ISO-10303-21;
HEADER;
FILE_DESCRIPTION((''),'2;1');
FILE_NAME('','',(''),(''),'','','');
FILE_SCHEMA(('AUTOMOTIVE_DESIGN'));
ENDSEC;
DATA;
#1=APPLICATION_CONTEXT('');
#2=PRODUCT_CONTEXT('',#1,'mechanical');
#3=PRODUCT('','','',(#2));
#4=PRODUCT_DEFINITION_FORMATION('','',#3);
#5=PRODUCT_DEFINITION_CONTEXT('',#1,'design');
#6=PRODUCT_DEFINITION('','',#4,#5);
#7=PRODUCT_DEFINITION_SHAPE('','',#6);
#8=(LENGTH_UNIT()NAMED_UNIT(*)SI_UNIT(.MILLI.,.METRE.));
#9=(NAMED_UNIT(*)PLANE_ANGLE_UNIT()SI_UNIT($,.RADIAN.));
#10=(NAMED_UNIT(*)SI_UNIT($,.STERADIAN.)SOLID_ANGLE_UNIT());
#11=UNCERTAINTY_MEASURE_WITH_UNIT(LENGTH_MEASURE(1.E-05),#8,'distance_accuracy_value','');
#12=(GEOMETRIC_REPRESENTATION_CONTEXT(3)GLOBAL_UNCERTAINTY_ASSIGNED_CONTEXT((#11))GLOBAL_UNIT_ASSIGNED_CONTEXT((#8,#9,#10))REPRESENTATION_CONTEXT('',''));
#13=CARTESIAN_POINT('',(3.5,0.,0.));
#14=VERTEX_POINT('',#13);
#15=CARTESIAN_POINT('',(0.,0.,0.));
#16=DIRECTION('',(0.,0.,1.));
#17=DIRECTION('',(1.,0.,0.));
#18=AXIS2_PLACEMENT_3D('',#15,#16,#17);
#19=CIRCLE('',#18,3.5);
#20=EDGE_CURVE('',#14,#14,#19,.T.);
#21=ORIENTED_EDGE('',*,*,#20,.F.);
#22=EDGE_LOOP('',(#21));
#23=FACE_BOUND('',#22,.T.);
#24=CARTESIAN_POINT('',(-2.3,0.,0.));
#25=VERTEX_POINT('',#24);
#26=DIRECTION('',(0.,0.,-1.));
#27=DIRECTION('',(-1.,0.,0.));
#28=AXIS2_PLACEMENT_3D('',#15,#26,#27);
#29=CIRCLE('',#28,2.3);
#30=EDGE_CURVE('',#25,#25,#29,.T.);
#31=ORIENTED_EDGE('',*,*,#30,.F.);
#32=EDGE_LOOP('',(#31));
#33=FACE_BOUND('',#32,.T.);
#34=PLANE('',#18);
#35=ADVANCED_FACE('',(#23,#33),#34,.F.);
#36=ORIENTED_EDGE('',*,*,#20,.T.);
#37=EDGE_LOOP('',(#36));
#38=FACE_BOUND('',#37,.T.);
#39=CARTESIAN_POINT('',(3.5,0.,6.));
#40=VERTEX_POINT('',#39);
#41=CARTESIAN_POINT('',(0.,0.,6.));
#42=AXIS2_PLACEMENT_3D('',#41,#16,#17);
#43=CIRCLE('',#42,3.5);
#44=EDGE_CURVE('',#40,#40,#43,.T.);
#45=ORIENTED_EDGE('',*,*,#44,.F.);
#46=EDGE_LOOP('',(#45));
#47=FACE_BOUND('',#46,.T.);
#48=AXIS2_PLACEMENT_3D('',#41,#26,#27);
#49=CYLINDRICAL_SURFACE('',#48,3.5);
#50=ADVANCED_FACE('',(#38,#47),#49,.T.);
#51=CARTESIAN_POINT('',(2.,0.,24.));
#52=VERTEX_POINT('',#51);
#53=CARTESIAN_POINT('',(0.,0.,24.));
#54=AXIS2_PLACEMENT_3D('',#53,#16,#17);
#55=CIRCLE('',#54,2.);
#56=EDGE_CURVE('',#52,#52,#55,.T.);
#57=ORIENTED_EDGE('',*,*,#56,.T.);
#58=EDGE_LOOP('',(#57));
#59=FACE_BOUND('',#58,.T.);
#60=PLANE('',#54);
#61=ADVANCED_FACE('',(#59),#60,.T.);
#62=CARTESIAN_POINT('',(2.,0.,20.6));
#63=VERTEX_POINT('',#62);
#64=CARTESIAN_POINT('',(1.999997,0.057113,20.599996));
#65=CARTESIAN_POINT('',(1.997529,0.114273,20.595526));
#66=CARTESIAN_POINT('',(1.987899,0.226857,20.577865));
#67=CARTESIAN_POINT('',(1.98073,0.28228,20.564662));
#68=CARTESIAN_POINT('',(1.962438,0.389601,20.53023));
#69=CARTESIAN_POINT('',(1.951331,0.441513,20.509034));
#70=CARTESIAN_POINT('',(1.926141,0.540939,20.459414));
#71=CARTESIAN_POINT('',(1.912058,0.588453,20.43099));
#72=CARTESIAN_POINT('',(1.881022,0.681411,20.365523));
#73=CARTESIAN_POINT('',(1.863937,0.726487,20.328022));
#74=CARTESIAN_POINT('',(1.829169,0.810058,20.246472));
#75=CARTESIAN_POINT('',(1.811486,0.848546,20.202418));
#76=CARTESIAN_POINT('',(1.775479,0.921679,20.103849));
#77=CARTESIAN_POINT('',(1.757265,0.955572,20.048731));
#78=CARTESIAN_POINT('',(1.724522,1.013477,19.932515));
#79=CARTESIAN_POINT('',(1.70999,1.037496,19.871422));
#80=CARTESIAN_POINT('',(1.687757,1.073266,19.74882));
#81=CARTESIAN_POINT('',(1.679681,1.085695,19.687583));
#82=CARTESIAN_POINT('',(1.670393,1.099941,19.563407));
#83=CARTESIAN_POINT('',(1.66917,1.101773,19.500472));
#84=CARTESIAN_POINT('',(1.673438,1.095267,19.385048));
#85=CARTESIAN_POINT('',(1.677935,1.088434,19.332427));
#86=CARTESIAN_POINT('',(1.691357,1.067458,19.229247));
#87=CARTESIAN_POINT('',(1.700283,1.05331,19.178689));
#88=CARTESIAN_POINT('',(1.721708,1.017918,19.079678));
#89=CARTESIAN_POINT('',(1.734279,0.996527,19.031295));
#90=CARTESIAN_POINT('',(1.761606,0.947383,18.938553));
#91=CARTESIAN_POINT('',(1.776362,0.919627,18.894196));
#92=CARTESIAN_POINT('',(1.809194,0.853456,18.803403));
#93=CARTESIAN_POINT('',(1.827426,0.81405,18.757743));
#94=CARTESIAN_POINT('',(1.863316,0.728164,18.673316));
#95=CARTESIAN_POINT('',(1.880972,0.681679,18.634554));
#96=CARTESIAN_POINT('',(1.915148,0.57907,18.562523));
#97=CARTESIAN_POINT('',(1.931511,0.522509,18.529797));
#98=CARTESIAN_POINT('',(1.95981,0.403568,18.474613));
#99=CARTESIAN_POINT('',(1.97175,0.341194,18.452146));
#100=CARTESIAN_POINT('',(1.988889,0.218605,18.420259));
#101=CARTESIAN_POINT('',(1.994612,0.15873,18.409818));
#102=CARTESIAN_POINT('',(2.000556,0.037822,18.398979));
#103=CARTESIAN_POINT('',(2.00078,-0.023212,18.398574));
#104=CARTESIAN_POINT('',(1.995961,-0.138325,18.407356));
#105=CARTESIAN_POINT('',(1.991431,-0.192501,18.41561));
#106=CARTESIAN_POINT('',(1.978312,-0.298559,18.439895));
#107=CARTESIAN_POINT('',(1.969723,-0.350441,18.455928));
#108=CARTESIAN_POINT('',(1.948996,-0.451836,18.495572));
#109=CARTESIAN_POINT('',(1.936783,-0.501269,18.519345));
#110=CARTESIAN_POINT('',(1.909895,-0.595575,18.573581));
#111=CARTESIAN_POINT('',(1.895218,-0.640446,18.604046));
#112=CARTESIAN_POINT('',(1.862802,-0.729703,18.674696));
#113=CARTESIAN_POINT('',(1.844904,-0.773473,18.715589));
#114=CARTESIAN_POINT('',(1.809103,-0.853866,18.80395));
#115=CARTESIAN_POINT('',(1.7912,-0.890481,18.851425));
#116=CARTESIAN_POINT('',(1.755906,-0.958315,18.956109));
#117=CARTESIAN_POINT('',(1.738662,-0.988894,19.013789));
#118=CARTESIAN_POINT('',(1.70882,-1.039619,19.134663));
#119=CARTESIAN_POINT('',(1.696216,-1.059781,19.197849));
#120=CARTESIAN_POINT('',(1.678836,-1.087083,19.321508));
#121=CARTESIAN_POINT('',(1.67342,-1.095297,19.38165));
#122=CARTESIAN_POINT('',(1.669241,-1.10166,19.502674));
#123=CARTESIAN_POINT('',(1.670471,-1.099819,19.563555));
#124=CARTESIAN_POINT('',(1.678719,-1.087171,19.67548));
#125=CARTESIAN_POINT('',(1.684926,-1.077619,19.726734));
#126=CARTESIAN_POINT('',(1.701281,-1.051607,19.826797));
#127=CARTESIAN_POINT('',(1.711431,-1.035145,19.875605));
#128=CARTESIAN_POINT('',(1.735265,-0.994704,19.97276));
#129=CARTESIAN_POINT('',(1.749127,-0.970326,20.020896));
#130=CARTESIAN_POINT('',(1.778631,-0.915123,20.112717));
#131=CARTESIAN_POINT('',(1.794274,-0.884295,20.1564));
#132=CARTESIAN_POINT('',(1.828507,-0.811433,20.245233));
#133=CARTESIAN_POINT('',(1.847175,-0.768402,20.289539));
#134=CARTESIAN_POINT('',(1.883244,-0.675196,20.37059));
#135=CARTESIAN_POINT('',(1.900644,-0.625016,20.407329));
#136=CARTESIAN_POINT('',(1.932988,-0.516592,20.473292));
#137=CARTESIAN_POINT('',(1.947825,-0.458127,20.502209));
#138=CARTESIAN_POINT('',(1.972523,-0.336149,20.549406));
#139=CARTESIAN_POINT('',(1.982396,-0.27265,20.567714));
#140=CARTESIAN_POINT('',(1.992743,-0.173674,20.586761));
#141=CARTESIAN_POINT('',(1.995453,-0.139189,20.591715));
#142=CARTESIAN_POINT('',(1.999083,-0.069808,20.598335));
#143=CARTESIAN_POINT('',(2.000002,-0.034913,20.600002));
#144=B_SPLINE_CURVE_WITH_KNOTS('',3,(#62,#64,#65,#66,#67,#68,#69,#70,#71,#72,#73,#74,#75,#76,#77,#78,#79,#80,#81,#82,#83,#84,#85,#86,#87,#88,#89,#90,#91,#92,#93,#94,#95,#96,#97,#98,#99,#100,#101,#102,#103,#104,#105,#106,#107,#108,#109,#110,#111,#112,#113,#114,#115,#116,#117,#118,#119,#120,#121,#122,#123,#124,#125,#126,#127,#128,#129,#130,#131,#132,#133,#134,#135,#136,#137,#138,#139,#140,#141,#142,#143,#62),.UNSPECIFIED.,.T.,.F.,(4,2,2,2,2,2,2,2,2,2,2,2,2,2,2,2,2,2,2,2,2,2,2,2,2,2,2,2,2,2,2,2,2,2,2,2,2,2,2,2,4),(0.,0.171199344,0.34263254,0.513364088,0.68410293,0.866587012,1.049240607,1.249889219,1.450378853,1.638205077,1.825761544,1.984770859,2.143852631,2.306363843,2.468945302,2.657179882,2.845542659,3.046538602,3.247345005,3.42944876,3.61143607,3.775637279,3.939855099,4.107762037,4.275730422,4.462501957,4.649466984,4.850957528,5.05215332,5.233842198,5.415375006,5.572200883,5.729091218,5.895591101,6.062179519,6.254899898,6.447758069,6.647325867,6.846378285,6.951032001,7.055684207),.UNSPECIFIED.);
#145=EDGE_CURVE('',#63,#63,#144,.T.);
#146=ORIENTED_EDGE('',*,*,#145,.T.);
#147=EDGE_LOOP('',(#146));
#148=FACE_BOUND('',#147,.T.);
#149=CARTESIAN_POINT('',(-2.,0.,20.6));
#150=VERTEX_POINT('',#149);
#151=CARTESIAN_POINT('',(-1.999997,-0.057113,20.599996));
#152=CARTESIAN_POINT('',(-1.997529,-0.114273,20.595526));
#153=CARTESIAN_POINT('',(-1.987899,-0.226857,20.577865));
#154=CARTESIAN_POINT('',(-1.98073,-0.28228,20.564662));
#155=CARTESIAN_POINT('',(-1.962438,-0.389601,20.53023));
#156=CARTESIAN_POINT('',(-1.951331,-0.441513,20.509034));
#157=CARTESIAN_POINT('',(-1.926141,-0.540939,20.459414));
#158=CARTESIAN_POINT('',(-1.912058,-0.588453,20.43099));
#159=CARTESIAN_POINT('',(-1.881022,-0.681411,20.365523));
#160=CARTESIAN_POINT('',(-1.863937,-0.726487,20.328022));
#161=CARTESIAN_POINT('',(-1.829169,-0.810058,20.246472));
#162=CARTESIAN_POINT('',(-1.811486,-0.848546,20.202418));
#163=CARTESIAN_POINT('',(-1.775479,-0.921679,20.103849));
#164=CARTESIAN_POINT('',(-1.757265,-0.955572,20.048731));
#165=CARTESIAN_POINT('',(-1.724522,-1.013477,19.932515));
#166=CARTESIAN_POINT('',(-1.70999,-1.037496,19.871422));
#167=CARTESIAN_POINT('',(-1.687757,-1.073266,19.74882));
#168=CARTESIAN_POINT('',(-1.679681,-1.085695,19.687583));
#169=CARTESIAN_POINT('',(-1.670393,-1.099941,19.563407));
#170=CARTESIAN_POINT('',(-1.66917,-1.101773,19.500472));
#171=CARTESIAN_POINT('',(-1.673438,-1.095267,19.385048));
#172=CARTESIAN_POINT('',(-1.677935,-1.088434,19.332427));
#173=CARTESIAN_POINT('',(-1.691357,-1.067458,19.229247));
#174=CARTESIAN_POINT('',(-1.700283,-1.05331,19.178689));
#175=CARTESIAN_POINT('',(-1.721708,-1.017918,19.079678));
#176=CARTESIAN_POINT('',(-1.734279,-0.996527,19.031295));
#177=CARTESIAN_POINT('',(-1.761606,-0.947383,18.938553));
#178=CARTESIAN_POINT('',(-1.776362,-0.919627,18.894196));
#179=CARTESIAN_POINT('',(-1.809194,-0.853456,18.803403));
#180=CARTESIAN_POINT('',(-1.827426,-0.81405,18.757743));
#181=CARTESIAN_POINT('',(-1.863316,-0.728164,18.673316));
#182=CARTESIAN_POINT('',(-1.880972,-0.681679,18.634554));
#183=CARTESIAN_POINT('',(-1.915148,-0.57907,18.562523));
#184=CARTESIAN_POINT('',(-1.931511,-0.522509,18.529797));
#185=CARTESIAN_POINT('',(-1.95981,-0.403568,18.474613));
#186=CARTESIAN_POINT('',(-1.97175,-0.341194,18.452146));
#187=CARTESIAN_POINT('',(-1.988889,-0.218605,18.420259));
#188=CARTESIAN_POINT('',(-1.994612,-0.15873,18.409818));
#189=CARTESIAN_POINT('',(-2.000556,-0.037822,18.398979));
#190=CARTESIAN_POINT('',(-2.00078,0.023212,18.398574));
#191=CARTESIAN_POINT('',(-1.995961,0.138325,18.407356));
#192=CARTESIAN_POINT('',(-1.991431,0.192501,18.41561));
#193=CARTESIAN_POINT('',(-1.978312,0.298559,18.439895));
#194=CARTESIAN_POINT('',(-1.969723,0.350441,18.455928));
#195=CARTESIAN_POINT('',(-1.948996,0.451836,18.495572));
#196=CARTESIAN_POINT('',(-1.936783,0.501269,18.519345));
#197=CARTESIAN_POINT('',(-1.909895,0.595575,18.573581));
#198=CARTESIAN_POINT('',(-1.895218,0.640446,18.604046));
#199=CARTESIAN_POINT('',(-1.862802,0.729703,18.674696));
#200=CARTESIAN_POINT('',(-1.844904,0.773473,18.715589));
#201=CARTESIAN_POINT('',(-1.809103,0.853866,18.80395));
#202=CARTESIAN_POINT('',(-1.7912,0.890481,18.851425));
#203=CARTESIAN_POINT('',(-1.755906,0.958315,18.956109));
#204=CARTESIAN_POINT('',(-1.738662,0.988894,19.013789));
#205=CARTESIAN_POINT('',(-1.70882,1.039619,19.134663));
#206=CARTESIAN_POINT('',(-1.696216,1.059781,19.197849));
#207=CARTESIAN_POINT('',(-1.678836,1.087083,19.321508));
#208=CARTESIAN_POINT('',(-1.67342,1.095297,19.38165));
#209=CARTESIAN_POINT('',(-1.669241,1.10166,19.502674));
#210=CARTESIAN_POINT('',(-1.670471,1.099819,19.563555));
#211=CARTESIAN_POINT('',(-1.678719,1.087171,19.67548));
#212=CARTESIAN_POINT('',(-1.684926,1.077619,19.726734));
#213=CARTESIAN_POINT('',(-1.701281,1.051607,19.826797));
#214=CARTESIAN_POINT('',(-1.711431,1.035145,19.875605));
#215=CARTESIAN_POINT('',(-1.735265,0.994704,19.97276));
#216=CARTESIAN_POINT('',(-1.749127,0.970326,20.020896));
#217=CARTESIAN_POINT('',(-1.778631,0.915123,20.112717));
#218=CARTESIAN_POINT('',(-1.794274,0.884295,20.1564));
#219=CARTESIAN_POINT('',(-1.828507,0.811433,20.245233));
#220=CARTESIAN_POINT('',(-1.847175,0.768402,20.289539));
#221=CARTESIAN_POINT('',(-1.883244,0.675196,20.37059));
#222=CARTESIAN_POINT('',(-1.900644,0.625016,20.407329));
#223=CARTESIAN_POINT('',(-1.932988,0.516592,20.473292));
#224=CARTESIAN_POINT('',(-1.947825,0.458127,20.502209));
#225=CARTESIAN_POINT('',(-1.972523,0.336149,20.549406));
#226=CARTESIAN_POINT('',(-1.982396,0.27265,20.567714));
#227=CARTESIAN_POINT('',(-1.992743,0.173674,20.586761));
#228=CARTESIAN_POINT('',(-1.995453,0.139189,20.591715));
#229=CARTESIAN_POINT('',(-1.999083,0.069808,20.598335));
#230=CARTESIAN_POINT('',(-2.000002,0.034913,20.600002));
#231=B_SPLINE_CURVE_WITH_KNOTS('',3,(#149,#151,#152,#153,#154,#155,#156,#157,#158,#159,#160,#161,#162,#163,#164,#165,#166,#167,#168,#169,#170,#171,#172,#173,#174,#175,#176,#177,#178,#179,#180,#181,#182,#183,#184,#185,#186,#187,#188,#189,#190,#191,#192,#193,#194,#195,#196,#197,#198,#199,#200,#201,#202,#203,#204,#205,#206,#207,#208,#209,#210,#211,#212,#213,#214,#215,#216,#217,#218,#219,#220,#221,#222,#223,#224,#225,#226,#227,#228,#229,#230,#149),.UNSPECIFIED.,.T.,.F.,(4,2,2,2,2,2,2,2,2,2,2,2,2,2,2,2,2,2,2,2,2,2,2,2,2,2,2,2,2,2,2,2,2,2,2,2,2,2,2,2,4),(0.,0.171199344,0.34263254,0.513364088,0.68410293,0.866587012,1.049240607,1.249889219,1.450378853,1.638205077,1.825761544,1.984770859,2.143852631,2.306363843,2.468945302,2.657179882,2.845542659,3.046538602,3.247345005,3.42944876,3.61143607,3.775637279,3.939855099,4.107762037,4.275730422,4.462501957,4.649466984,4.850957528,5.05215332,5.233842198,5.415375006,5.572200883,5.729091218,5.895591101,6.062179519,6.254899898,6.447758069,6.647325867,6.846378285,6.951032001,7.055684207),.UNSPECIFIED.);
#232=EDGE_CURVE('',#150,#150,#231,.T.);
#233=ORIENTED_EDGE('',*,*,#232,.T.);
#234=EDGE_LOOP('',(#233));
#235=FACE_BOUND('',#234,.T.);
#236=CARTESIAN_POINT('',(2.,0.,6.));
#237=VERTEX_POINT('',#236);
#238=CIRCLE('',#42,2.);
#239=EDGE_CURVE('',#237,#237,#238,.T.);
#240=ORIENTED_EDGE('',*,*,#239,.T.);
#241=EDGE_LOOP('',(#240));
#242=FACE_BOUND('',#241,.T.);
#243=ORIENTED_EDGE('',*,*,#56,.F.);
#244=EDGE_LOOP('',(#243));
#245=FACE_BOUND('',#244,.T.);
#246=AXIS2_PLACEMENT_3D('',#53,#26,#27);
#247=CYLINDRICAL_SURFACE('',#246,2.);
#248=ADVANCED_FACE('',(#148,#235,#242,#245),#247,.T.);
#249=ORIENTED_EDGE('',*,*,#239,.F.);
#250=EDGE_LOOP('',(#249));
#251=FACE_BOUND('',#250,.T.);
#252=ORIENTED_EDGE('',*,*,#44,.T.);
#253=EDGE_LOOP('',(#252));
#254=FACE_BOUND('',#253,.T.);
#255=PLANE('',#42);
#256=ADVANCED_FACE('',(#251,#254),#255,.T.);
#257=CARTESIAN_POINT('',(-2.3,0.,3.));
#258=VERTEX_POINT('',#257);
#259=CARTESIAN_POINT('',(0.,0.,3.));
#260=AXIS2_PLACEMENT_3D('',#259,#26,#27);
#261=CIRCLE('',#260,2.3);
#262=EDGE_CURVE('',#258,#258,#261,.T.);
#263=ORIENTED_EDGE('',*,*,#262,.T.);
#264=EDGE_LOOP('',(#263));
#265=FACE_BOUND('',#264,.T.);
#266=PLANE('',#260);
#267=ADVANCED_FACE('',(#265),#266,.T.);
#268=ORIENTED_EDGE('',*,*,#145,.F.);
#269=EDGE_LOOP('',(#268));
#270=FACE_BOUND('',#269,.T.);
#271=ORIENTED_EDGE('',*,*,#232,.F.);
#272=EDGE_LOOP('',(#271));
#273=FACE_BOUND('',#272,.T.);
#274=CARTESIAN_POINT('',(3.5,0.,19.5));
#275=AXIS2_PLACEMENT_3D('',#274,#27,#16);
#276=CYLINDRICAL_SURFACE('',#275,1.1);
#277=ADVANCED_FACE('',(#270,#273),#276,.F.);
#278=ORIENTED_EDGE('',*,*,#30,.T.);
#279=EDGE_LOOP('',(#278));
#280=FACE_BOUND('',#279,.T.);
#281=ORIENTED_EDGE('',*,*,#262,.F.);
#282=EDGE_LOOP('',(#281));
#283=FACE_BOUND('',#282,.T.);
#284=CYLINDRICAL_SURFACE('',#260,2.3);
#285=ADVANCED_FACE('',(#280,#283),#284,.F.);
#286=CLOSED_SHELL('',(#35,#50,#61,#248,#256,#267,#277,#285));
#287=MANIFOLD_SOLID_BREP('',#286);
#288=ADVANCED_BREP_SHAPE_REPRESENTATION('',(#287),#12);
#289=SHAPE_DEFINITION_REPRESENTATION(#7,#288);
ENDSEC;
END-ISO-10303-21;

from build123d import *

# Parameters (mm, degrees)
SZKIC1_R                    = 3.5
DODANIE_WYCI_GNI_CIE1_DEPTH = 6
SZKIC2_R                    = 2
DODANIE_WYCI_GNI_CIE2_DEPTH = 18
SZKIC3_R                    = 1.1
WYTNIJ_WYCI_GNI_CIE1_DEPTH  = 6.5
SZKIC4_R                    = 2.3
WYTNIJ_WYCI_GNI_CIE2_DEPTH  = 3


with BuildPart() as part:
    # Szkic1 → Dodanie-wyciągnięcie1 (new body)
    with BuildSketch(Plane.XY):
        Circle(SZKIC1_R)
    extrude(amount=DODANIE_WYCI_GNI_CIE1_DEPTH)

    # Szkic2 → Dodanie-wyciągnięcie2 (add)
    with BuildSketch(Plane.XY.offset(6)):
        Circle(SZKIC2_R)
    extrude(amount=DODANIE_WYCI_GNI_CIE2_DEPTH)

    # Szkic3 → Wytnij-wyciągnięcie1 (cut, through all)
    with BuildSketch(Plane.ZY.offset(2)):
        with Locations((19.5, 0)):
            Circle(SZKIC3_R)
    extrude(amount=-WYTNIJ_WYCI_GNI_CIE1_DEPTH, mode=Mode.SUBTRACT)

    # Szkic4 → Wytnij-wyciągnięcie2 (cut)
    with BuildSketch(Plane(origin=(0, 0, 0), x_dir=(-1, 0, 0), z_dir=(0, 0, -1))):
        Circle(SZKIC4_R)
    extrude(amount=-WYTNIJ_WYCI_GNI_CIE2_DEPTH, mode=Mode.SUBTRACT)


solid = part.part
